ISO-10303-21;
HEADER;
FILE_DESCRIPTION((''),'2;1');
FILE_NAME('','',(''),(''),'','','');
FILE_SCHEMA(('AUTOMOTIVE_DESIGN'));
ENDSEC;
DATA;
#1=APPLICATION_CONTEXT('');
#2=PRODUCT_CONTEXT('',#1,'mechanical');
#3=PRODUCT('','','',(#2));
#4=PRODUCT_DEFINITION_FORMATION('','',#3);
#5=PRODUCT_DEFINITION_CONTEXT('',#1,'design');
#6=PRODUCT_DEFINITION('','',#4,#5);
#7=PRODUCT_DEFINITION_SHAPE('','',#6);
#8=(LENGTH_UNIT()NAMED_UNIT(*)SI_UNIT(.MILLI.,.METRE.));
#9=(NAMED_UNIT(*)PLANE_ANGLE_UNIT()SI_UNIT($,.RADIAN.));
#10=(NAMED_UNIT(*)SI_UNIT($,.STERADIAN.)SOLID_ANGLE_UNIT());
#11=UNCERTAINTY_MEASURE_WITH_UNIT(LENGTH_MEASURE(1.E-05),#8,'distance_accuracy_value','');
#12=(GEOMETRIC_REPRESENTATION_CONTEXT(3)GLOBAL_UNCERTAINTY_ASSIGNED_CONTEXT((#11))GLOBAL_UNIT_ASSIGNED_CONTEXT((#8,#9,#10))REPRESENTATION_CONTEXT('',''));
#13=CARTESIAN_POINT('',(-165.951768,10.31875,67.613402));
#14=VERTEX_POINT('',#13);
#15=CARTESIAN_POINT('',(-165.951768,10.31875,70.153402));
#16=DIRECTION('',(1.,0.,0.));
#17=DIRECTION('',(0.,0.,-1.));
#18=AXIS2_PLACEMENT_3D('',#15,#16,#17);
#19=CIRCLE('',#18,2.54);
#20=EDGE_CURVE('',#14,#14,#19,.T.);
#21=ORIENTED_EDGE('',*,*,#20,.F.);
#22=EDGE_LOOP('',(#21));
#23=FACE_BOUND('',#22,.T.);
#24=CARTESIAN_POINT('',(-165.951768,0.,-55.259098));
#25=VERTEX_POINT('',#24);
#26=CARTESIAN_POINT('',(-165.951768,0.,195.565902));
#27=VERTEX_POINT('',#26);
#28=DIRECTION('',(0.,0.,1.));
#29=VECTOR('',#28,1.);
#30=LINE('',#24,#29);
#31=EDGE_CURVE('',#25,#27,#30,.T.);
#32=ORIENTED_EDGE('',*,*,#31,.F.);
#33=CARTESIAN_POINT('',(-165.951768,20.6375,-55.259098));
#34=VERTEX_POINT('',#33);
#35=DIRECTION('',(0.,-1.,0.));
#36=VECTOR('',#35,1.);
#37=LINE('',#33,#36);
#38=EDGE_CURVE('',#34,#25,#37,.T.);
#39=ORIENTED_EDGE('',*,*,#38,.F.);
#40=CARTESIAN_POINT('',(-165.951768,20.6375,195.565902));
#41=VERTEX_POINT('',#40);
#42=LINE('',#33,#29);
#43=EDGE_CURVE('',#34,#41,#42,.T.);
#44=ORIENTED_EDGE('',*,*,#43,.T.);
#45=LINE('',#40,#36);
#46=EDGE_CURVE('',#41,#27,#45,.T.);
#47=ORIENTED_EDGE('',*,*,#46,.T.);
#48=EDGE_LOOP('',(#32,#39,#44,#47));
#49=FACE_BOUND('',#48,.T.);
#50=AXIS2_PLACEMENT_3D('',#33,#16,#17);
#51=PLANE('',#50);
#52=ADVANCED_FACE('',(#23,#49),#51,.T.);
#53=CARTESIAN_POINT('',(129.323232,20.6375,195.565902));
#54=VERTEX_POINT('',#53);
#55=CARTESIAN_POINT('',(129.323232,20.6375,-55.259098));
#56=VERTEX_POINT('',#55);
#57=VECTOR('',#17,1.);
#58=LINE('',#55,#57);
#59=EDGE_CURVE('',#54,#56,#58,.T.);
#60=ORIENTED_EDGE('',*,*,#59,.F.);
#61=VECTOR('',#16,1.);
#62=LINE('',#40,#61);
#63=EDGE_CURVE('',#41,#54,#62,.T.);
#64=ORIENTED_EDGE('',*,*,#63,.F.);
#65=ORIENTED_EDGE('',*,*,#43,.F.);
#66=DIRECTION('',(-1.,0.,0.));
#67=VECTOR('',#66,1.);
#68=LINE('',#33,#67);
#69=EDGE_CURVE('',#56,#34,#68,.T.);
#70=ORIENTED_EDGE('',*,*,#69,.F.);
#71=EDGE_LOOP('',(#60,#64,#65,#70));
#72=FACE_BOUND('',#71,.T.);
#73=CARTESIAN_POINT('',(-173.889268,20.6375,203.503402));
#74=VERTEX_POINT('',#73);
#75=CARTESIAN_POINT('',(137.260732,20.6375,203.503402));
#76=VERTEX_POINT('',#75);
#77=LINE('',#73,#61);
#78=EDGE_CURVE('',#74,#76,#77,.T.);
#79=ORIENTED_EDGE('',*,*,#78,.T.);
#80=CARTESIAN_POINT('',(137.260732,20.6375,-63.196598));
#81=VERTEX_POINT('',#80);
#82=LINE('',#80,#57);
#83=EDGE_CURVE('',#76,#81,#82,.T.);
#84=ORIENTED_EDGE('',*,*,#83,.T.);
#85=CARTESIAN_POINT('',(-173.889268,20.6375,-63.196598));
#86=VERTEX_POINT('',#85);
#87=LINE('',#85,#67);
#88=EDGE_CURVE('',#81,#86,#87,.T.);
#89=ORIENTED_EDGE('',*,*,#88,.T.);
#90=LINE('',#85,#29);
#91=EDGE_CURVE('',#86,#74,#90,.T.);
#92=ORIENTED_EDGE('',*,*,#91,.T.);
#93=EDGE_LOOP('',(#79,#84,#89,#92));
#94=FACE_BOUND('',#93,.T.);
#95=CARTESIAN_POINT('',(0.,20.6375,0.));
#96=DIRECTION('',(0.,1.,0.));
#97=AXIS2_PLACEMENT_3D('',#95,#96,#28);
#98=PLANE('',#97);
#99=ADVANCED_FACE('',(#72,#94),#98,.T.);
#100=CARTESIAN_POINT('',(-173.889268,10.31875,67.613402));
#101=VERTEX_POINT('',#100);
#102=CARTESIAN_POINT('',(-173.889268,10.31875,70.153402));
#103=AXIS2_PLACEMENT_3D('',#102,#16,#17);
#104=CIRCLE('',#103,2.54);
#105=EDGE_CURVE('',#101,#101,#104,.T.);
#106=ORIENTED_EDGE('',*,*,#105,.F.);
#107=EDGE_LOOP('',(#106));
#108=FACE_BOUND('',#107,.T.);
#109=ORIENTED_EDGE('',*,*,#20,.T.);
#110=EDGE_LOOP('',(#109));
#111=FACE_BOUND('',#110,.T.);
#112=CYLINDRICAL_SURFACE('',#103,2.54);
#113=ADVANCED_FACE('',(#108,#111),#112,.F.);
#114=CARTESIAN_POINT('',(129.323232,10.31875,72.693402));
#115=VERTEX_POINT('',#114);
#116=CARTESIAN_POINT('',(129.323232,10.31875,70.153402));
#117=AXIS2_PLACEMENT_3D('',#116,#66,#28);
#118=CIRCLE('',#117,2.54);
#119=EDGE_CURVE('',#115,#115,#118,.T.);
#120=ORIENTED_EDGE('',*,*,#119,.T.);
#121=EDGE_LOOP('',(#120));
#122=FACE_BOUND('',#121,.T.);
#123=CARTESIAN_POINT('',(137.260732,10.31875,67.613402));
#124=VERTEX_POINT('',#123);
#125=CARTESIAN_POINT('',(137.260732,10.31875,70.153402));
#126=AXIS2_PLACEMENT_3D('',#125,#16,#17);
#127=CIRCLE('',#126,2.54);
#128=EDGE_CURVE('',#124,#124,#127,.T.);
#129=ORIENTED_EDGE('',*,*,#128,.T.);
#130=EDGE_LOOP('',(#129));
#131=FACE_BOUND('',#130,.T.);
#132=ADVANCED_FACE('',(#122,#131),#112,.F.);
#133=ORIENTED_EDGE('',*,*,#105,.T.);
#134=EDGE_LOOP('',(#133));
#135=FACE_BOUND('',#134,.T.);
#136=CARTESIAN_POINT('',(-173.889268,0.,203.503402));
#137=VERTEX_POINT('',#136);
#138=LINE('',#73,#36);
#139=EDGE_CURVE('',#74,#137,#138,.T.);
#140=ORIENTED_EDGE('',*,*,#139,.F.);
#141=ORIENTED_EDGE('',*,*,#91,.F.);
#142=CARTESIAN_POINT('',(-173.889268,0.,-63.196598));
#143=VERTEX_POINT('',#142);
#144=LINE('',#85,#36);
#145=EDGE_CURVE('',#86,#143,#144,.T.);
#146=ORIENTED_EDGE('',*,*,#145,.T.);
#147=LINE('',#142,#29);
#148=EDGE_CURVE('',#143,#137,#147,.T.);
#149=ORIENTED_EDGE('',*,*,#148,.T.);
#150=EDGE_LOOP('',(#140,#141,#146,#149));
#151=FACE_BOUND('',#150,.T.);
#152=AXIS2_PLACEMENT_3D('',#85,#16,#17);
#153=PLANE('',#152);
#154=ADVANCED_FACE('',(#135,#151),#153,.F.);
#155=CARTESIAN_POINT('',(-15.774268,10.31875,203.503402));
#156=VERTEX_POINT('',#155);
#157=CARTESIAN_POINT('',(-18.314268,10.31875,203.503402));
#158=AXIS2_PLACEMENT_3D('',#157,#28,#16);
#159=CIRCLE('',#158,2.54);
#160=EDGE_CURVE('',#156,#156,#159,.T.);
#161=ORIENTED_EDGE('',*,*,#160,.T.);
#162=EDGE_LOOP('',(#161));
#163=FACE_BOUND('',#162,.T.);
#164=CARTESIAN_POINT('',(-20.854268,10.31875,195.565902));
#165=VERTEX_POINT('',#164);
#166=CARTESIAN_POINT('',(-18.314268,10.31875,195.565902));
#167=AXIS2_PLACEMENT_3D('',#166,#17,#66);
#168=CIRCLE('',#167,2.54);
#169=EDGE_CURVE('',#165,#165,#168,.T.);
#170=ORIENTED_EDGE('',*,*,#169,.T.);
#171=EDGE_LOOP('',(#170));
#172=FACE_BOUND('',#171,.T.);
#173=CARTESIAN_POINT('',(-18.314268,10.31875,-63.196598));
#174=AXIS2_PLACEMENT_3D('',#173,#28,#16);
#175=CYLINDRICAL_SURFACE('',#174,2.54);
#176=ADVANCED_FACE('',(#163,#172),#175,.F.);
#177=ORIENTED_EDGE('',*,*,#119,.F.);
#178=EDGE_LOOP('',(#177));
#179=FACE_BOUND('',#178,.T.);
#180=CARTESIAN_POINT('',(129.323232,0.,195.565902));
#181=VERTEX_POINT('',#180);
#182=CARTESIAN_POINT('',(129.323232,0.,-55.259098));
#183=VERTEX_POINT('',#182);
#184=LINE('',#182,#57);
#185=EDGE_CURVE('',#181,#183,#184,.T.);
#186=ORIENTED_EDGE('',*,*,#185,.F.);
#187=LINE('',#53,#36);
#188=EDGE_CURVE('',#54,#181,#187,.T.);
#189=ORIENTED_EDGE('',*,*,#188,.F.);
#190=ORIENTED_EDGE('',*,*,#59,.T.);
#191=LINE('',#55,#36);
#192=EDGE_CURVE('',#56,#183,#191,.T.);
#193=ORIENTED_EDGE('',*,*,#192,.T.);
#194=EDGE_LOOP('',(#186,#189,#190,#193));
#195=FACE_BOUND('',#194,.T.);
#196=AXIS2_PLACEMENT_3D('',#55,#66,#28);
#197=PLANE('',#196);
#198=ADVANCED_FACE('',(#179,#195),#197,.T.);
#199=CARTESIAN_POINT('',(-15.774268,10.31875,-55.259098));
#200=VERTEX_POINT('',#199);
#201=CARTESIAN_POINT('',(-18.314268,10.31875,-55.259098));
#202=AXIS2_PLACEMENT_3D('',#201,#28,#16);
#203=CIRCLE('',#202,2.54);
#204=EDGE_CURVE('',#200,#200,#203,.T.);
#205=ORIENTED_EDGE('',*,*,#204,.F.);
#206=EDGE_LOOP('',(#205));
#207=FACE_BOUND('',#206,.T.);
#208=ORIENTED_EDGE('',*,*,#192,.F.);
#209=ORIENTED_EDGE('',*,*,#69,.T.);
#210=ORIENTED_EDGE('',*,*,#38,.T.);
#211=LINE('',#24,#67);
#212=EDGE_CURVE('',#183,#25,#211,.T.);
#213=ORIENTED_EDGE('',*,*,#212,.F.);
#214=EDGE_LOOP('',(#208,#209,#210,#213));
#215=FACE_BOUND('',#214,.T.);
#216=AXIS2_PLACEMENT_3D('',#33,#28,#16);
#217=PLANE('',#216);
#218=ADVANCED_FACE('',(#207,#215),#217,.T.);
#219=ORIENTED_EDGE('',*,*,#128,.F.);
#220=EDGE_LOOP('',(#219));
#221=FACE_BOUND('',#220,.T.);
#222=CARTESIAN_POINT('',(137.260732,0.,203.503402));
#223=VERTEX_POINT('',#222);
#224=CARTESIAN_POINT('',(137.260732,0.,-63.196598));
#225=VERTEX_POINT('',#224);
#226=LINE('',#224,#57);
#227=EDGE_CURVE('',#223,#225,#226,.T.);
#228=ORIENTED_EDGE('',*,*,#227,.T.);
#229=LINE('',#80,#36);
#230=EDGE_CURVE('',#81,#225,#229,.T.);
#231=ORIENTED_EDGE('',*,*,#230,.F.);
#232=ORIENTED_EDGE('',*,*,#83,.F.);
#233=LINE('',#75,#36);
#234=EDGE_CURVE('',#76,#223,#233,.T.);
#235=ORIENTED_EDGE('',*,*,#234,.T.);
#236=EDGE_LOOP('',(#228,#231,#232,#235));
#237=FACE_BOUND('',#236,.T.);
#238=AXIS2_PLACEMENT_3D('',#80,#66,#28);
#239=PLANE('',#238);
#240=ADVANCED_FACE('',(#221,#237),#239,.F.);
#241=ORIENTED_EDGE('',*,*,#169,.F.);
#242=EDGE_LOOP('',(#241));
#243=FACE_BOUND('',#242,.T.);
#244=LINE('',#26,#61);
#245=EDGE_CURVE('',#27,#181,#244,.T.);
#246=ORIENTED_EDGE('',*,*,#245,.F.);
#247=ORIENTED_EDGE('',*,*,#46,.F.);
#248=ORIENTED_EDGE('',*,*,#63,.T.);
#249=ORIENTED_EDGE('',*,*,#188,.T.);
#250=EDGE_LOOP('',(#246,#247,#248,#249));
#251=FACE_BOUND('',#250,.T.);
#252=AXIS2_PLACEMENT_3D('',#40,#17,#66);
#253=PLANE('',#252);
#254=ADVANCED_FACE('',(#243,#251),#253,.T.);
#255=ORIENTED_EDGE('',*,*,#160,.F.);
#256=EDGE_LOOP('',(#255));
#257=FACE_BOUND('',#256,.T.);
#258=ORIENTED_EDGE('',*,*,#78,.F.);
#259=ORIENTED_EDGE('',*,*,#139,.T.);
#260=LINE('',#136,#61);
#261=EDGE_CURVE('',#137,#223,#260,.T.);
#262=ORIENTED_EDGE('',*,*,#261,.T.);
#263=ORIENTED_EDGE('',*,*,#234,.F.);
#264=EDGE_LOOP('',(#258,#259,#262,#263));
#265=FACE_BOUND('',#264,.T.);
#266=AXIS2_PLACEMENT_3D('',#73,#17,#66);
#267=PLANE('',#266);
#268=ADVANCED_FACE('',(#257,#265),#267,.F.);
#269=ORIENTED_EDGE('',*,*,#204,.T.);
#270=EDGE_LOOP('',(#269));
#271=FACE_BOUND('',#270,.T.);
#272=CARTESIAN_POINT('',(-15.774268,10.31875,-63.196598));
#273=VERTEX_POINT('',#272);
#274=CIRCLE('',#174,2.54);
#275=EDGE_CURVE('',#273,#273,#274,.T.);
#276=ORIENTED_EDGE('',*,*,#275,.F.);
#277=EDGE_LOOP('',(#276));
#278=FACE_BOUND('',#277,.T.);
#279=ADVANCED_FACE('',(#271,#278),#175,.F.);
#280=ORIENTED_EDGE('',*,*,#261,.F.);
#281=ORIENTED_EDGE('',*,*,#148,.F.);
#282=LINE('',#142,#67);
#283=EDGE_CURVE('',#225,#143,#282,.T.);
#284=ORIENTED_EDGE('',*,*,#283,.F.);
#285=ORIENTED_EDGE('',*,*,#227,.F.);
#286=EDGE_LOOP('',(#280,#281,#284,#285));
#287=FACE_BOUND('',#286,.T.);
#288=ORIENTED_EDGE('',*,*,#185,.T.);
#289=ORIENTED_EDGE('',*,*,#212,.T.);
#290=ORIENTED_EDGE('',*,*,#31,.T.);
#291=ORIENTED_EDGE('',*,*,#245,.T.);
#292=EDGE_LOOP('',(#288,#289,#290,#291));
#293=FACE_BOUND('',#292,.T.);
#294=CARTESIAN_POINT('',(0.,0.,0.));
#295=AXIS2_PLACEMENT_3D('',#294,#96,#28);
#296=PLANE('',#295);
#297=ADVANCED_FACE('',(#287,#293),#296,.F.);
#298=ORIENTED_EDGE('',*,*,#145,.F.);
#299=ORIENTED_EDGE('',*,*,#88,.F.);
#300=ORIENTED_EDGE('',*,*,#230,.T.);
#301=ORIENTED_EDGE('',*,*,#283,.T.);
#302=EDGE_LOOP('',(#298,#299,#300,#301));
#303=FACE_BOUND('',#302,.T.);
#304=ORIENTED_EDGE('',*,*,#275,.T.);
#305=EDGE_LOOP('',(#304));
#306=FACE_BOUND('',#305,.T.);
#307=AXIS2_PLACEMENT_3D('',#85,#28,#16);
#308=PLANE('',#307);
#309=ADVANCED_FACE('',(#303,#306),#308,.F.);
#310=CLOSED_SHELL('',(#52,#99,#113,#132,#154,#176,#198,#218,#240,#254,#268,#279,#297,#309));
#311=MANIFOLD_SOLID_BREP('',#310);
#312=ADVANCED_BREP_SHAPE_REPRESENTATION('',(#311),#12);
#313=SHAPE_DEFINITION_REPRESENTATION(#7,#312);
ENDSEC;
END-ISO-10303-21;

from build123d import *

# Parameters (mm, degrees)
SKETCH1_W           = 311.15
SKETCH1_H           = 266.7
SKETCH1_W_2         = 295.275
SKETCH1_H_2         = 250.825
BOSS_EXTRUDE1_DEPTH = 20.6375
SKETCH2_R           = 2.54
CUT_EXTRUDE1_DEPTH  = 320.049014669
SKETCH3_R           = 2.54
CUT_EXTRUDE2_DEPTH  = 373.362542974


with BuildPart() as part:
    # Sketch1 → Boss-Extrude1 (new body)
    with BuildSketch(Plane(origin=(0, 0, 0), x_dir=(1, 0, 0), z_dir=(0, 1, 0))):
        with Locations((-18.31426751, -70.1534017)):
            Rectangle(SKETCH1_W, SKETCH1_H)
        with Locations((-18.31426751, -70.1534017)):
            Rectangle(SKETCH1_W_2, SKETCH1_H_2, mode=Mode.SUBTRACT)
    extrude(amount=BOSS_EXTRUDE1_DEPTH)

    # Sketch2 → Cut-Extrude1 (cut, through all)
    with BuildSketch(Plane.XY.offset(203.5034017)):
        with Locations((-18.31426751, 10.31875)):
            Circle(SKETCH2_R)
    extrude(amount=-CUT_EXTRUDE1_DEPTH, mode=Mode.SUBTRACT)

    # Sketch3 → Cut-Extrude2 (cut, through all)
    with BuildSketch(Plane(origin=(137.26073249, 0, 0), x_dir=(0, 0, -1), z_dir=(1, 0, 0))):
        with Locations((-70.1534017, 10.31875)):
            Circle(SKETCH3_R)
    extrude(amount=-CUT_EXTRUDE2_DEPTH, mode=Mode.SUBTRACT)


solid = part.part
